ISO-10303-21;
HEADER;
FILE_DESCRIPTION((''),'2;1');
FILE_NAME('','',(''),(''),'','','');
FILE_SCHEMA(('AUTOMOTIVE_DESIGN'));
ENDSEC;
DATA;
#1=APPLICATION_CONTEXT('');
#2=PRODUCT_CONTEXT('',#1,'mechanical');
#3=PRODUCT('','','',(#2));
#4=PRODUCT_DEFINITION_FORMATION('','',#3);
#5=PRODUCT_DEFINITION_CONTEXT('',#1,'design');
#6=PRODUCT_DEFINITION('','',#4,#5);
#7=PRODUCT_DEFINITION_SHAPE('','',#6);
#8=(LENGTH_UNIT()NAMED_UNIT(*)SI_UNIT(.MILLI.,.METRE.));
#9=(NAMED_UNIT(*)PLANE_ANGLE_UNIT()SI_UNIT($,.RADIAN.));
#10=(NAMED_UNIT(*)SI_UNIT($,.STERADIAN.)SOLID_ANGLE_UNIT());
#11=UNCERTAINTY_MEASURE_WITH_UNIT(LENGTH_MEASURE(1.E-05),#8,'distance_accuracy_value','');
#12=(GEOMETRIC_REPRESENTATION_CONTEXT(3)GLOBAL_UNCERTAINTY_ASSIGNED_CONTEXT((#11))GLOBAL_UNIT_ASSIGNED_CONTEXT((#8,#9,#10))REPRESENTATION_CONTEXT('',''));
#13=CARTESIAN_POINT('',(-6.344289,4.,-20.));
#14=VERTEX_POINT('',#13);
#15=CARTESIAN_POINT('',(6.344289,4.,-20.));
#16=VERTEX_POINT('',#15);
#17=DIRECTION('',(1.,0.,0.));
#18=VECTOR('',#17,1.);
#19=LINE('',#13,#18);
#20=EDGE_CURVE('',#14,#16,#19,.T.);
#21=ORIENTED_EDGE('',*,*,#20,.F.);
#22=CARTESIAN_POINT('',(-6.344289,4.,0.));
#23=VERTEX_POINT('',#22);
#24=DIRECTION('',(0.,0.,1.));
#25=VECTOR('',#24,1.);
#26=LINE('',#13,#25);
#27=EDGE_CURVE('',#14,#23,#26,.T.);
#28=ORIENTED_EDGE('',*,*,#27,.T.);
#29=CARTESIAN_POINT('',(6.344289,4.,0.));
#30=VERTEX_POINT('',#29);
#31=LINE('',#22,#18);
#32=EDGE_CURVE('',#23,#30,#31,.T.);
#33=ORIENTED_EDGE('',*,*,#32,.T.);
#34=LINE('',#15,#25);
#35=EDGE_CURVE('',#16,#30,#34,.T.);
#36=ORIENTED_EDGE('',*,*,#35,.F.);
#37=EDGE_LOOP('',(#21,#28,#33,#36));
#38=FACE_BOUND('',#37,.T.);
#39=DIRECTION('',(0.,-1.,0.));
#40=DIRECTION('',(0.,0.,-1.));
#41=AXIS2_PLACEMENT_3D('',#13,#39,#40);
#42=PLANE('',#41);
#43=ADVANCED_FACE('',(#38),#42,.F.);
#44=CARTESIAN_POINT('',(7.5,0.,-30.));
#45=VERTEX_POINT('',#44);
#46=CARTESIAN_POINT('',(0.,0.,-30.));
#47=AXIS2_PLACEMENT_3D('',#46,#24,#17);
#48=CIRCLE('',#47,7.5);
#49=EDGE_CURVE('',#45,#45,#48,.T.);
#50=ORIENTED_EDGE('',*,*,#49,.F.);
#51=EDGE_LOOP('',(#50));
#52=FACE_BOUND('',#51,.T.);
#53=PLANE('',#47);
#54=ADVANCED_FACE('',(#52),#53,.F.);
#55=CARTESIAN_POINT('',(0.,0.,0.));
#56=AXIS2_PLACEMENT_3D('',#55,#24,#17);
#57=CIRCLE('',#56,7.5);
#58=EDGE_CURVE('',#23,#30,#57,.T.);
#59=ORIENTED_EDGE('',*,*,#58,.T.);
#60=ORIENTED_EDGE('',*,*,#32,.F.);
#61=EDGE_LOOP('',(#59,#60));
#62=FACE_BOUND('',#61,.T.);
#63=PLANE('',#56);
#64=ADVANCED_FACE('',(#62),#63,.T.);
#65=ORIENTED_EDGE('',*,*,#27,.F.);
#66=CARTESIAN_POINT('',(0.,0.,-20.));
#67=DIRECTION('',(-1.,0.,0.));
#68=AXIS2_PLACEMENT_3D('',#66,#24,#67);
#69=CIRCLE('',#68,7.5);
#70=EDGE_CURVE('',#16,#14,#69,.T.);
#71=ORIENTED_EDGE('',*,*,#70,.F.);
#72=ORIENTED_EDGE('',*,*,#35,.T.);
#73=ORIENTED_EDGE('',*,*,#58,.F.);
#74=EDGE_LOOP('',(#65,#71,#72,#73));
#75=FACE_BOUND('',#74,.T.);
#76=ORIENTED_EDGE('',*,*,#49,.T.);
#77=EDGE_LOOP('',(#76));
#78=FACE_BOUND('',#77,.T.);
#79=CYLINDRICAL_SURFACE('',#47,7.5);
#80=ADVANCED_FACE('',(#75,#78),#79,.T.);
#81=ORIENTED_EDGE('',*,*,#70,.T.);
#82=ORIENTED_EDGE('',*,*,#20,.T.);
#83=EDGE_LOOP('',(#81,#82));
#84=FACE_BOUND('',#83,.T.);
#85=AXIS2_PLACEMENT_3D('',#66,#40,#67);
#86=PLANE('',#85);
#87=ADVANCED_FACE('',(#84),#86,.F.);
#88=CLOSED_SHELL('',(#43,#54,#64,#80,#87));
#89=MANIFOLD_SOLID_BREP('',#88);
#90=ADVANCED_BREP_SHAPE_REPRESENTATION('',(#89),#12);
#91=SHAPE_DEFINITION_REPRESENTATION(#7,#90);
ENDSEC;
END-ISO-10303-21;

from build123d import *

# Parameters (mm, degrees)
SKETCH1_R           = 7.5
BOSS_EXTRUDE1_DEPTH = 30
CUT_EXTRUDE1_DEPTH  = 20


with BuildPart() as part:
    # Sketch1 → Boss-Extrude1 (new body)
    with BuildSketch(Plane.XY):
        Circle(SKETCH1_R)
    extrude(amount=-BOSS_EXTRUDE1_DEPTH)

    # Sketch2 → Cut-Extrude1 (cut)
    with BuildSketch(Plane.XY):
        with BuildLine():
            Line((-6.34428877, 4), (6.34428877, 4))
            ThreePointArc((6.34428877, 4), (0, 7.5), (-6.34428877, 4))
        make_face()
    extrude(amount=-CUT_EXTRUDE1_DEPTH, mode=Mode.SUBTRACT)


solid = part.part
